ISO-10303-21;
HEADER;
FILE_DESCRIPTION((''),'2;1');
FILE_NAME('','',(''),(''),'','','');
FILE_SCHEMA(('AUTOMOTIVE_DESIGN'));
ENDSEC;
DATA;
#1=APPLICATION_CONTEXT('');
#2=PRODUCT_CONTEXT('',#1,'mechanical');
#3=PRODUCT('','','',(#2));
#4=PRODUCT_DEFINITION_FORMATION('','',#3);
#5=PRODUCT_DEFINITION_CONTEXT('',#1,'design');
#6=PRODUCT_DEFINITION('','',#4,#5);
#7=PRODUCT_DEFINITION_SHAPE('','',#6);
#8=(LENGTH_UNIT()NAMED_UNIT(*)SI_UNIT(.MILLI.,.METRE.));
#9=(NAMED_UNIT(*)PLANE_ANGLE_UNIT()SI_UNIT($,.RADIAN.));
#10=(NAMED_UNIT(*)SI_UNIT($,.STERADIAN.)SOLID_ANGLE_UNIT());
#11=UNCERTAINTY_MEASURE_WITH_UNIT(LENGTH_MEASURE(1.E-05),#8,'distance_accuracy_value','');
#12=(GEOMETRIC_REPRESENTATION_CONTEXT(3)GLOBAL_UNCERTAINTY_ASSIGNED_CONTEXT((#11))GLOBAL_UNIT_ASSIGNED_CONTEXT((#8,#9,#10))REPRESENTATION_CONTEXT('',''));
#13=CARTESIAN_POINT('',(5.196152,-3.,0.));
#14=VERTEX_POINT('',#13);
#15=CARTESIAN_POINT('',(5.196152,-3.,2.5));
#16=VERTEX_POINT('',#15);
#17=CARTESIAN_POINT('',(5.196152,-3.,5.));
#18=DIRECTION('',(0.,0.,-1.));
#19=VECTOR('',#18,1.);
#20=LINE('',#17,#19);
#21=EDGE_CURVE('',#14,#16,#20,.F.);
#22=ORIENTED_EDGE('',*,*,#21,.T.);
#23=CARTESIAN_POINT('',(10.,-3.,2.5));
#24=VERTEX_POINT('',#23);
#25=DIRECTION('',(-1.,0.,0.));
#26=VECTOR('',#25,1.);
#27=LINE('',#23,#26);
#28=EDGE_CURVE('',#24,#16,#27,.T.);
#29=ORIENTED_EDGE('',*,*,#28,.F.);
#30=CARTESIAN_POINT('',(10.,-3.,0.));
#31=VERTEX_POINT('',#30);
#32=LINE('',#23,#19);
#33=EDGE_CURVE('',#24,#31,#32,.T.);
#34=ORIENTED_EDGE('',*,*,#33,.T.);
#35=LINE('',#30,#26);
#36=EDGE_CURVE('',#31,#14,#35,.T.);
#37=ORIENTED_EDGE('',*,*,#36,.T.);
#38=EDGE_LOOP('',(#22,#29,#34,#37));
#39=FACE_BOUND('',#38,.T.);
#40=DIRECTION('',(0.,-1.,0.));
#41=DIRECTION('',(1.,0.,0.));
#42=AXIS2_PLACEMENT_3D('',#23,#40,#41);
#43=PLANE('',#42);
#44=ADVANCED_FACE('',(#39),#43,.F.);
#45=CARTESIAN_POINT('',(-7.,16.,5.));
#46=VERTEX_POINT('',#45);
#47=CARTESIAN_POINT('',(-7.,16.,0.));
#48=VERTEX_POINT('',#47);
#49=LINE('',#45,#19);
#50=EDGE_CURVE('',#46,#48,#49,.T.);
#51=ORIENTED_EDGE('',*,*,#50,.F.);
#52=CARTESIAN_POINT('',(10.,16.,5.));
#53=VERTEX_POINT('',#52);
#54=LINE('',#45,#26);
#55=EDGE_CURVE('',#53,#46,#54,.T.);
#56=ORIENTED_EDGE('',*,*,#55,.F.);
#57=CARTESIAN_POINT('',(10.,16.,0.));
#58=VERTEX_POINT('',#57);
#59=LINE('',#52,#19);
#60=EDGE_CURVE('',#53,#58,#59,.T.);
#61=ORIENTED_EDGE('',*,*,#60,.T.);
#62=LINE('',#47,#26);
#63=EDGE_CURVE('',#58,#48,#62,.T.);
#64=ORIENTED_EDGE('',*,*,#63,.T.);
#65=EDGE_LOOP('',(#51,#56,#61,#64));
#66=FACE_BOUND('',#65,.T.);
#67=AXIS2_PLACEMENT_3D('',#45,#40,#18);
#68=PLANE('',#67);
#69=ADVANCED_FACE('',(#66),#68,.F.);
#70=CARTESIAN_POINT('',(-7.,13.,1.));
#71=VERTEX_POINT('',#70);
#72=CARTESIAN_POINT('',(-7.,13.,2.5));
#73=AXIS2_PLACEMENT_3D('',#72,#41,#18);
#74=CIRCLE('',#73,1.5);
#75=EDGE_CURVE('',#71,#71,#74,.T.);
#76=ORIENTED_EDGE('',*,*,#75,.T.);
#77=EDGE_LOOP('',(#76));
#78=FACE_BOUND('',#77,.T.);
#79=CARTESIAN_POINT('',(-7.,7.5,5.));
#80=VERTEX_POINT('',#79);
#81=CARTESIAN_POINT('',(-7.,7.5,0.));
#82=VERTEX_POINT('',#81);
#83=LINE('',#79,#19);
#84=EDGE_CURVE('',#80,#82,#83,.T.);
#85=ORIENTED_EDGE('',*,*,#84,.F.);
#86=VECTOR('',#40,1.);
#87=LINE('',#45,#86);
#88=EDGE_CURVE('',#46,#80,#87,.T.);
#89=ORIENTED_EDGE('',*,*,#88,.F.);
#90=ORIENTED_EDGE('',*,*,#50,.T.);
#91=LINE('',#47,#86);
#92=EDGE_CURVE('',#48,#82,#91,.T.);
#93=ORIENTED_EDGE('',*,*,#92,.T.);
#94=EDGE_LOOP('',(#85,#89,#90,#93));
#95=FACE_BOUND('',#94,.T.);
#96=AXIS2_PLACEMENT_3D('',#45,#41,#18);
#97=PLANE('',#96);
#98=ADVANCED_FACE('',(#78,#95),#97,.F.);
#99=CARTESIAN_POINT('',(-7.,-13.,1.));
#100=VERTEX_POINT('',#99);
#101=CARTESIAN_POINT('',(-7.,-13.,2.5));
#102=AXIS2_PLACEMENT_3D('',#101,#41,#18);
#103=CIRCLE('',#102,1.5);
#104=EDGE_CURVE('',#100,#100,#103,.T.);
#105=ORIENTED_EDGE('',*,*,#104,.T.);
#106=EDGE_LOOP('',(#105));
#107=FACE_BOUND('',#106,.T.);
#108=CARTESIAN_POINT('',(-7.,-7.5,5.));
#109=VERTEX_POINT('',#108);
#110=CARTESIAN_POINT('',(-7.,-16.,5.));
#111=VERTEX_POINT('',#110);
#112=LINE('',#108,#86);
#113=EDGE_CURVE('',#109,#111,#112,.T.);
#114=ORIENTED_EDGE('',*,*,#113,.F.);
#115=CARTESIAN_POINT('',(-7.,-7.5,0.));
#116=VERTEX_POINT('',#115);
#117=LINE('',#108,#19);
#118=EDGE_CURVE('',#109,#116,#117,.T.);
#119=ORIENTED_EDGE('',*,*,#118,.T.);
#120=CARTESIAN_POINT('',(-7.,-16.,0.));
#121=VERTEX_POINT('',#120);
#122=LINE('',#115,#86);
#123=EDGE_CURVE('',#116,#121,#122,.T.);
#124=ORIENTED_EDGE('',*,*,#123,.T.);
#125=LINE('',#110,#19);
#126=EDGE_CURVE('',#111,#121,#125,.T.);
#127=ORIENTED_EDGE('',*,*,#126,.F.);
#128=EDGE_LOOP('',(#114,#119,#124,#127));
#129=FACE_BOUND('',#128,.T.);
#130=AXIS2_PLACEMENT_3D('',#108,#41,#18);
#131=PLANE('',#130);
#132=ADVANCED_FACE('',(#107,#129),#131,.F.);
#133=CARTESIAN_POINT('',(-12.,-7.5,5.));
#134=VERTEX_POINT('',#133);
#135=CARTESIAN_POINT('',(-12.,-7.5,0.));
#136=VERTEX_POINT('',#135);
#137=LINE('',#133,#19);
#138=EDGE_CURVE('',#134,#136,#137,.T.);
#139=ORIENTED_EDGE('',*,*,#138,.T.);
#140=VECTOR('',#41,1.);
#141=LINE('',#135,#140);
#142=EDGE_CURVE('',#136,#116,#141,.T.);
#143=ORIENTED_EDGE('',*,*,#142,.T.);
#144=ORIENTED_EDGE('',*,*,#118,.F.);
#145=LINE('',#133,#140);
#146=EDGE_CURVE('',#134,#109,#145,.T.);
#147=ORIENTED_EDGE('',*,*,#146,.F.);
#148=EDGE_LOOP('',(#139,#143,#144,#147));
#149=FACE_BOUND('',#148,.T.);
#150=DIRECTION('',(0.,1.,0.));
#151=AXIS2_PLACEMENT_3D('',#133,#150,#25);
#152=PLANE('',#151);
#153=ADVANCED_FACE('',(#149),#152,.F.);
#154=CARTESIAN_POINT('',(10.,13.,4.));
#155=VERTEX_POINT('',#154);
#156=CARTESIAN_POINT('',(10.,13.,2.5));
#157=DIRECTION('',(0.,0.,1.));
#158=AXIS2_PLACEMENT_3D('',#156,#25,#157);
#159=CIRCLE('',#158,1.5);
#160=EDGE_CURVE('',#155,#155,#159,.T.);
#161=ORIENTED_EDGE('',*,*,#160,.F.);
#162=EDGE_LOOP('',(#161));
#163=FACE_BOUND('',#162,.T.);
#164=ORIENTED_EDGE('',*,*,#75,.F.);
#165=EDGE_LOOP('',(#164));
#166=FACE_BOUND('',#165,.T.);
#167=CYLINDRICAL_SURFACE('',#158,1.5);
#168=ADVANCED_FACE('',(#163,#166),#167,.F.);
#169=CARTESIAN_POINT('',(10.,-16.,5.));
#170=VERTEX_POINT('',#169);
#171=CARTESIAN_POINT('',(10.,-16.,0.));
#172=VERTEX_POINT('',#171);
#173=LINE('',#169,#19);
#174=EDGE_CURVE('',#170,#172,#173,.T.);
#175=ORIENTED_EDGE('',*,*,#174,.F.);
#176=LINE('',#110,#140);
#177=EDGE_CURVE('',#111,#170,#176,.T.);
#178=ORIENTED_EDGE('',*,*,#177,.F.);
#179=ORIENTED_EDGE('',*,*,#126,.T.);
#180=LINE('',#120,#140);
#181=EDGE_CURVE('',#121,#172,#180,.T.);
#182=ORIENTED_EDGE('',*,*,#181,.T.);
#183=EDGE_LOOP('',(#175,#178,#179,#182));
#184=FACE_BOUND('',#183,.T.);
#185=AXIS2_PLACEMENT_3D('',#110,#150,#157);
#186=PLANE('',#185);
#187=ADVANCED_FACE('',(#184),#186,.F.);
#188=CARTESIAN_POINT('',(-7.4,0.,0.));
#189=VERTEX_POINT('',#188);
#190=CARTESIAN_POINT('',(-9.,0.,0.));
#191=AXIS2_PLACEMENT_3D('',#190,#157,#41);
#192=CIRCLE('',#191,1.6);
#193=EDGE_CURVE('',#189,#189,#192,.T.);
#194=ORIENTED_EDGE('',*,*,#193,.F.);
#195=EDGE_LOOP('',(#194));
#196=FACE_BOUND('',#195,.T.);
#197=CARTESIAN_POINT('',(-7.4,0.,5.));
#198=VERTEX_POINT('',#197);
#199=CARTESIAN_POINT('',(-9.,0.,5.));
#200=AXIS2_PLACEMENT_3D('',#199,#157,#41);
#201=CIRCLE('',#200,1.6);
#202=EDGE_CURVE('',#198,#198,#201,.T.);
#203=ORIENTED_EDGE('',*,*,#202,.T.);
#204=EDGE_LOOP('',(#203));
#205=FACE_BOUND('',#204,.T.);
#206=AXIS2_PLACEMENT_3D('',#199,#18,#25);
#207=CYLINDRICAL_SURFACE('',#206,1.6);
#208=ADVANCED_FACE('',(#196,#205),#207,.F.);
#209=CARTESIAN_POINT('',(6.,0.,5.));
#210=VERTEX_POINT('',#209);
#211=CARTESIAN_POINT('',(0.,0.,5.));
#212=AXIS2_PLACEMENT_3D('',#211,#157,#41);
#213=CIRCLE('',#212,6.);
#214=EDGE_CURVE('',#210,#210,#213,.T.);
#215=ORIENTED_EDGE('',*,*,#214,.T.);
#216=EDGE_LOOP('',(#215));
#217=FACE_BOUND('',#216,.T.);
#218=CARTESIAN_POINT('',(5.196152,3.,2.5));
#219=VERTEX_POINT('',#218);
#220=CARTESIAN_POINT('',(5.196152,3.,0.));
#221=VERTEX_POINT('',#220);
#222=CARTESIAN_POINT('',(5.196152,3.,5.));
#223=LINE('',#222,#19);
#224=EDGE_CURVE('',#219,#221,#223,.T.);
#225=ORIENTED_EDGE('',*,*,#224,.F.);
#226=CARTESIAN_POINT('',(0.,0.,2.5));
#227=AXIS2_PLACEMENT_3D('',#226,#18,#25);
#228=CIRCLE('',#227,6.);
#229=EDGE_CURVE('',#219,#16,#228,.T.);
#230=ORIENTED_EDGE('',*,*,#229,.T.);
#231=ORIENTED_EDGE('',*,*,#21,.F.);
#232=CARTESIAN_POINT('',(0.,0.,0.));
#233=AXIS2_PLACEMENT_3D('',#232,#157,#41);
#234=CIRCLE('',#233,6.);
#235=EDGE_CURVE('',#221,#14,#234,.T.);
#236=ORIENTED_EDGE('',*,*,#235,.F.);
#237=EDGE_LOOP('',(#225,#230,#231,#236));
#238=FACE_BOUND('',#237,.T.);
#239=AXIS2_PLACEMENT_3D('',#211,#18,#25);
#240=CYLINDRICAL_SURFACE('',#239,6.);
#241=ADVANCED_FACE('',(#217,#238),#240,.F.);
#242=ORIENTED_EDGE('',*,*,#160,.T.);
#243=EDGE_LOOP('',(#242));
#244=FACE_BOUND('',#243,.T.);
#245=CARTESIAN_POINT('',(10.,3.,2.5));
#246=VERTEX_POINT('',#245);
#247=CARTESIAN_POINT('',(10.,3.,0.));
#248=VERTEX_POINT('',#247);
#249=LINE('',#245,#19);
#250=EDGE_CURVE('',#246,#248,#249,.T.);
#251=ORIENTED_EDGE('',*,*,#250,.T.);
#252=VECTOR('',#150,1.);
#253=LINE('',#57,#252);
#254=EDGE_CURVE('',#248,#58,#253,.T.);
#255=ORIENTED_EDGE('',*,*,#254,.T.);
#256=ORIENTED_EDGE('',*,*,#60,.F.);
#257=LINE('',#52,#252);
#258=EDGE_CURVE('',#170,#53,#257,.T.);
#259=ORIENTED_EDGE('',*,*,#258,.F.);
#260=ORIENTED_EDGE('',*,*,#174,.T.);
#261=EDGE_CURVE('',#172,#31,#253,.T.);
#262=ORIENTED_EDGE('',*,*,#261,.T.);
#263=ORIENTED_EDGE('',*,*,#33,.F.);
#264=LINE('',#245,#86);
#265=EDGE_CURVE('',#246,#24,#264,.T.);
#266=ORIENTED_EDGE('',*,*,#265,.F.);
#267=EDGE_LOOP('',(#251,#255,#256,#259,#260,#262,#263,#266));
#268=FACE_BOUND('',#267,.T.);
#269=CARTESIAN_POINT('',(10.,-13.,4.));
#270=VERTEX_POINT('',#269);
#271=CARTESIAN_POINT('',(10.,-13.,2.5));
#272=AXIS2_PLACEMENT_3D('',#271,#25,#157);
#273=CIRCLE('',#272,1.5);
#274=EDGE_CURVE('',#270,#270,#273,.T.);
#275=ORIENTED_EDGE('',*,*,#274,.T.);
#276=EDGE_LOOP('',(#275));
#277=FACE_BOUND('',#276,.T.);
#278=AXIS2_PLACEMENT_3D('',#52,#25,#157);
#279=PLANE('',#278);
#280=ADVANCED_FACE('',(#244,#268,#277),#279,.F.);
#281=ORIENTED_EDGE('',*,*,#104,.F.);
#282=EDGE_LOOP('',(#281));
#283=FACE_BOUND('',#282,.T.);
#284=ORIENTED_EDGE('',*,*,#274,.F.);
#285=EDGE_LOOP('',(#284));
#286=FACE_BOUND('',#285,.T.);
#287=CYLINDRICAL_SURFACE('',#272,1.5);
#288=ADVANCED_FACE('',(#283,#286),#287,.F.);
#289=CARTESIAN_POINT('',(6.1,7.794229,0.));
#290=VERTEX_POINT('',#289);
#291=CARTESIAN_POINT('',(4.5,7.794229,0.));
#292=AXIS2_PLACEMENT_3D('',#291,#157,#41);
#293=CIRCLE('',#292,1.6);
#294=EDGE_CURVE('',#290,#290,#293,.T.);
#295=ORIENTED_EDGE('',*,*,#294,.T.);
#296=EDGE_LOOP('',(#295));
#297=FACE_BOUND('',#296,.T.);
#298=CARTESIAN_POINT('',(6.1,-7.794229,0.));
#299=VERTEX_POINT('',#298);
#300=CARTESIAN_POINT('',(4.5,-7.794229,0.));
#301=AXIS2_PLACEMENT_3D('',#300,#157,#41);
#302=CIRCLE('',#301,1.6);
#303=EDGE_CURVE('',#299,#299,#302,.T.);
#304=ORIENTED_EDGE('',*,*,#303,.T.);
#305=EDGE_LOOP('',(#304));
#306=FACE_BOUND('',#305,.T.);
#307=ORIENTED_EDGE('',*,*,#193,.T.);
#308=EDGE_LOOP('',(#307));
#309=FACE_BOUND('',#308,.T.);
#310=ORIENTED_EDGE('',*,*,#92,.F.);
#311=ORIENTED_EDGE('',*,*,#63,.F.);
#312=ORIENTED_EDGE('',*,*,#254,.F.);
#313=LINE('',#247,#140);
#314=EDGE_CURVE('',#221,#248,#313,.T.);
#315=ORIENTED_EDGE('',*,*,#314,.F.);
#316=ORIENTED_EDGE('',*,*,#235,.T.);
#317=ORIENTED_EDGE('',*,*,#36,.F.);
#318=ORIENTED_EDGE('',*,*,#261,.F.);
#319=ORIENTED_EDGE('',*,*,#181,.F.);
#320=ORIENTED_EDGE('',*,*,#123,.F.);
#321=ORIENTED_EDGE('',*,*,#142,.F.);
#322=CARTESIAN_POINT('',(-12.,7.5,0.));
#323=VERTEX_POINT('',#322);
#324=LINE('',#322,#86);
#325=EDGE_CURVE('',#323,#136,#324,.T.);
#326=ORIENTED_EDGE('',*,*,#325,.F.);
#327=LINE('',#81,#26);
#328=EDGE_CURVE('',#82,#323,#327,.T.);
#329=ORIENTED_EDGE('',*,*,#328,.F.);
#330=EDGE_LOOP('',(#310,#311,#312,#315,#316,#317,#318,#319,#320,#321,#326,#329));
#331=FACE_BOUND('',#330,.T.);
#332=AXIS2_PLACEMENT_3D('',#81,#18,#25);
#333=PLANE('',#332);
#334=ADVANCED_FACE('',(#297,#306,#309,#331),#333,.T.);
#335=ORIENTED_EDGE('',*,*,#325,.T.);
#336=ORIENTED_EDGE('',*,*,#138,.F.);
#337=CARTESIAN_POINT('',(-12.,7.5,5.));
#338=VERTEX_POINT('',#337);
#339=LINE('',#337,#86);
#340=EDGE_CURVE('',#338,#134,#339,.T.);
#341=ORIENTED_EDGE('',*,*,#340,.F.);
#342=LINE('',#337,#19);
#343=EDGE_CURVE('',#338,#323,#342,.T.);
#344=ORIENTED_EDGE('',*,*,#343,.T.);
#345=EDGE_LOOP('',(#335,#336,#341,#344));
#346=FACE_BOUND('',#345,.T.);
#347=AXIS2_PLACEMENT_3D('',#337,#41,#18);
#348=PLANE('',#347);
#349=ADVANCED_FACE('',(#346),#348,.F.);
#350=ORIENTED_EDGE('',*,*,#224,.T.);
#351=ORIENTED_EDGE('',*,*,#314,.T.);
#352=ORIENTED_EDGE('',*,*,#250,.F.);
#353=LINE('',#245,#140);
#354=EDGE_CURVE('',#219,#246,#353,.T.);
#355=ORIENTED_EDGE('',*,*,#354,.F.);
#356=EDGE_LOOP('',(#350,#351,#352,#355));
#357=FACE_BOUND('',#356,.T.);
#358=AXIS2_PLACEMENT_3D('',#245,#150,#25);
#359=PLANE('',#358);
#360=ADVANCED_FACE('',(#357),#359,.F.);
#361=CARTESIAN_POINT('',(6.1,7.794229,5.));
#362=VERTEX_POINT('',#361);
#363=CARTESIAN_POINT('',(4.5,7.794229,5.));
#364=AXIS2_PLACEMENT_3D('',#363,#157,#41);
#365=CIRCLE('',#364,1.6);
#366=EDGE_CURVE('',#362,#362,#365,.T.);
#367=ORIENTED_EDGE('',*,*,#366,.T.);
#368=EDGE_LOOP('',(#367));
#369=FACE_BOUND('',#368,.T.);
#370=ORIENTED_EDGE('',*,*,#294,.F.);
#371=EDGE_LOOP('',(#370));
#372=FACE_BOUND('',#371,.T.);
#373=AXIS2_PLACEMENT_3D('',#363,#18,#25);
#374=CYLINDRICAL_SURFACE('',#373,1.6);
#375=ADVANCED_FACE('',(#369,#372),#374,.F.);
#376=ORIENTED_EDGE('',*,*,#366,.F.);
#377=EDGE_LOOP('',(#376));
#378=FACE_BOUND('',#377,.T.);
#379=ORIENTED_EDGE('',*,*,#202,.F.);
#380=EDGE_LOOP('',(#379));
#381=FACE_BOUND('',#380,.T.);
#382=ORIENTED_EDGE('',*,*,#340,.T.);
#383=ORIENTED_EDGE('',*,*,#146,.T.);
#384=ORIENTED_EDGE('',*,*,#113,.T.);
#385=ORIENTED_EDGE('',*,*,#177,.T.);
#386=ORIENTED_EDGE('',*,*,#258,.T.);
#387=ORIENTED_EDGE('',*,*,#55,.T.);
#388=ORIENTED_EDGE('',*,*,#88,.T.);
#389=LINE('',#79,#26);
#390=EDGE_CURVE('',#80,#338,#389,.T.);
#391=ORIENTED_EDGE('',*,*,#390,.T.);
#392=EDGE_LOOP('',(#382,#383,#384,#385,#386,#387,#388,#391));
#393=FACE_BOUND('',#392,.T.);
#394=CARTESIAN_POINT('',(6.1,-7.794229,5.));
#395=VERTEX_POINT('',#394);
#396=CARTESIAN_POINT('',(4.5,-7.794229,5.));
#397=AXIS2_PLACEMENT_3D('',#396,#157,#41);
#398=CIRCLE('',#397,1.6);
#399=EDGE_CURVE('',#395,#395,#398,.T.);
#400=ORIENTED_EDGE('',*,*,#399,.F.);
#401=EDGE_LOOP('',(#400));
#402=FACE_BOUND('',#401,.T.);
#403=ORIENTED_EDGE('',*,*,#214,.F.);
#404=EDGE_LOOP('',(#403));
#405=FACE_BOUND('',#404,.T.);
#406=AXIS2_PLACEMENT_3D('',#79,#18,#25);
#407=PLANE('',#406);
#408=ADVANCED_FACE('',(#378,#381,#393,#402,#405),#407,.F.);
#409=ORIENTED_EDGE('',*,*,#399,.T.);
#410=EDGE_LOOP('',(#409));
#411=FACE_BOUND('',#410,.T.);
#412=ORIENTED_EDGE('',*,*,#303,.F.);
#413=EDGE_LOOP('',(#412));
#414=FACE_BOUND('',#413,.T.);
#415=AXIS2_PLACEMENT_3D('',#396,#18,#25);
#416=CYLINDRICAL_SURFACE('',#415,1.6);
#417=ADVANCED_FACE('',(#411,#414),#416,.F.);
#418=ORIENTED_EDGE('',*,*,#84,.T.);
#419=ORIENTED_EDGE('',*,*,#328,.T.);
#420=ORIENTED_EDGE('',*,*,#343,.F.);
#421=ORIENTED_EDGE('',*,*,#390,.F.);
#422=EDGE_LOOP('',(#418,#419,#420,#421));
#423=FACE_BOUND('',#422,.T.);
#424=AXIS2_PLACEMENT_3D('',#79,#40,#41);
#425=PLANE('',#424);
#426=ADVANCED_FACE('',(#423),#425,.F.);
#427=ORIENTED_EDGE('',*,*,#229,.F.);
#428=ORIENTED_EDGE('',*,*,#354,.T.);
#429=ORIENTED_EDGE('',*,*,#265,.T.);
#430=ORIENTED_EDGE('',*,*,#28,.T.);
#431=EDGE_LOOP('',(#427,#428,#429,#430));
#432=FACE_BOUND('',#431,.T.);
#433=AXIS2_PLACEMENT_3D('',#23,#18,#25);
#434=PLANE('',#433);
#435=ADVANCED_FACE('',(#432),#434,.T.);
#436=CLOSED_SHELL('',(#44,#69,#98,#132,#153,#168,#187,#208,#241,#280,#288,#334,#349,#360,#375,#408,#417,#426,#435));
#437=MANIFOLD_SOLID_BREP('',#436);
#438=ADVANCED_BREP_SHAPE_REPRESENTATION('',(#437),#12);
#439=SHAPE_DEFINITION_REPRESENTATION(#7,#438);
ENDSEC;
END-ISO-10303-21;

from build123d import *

# Parameters (mm, degrees)
ESQUISSE1_R             = 6
ESQUISSE1_R_2           = 1.6
EXTRUSION1_DEPTH        = 5
ESQUISSE2_W             = 10
ESQUISSE2_H             = 6
ENL_V_MAT_EXTRU_1_DEPTH = 2.5
ESQUISSE3_R             = 1.5
ENL_V_MAT_EXTRU_2_DEPTH = 28.658633372


with BuildPart() as part:
    # Esquisse1 → Extrusion1 (new body)
    with BuildSketch(Plane.XY):
        Polygon((-7, 16), (10, 16), (10, -16), (-7, -16), (-7, -7.5), (-12, -7.5), (-12, 7.5), (-7, 7.5), align=None)
        Circle(ESQUISSE1_R, mode=Mode.SUBTRACT)
        with Locations((-9, 0)):
            Circle(ESQUISSE1_R_2, mode=Mode.SUBTRACT)
        with Locations((4.5, 7.794228634)):
            Circle(ESQUISSE1_R_2, mode=Mode.SUBTRACT)
        with Locations((4.5, -7.794228634)):
            Circle(ESQUISSE1_R_2, mode=Mode.SUBTRACT)
    extrude(amount=EXTRUSION1_DEPTH)

    # Esquisse2 → Enlèv. mat.-Extru.1 (cut)
    with BuildSketch(Plane(origin=(0, 0, 0), x_dir=(-1, 0, 0), z_dir=(0, 0, -1))):
        with Locations((-5, 0)):
            Rectangle(ESQUISSE2_W, ESQUISSE2_H)
    extrude(amount=-ENL_V_MAT_EXTRU_1_DEPTH, mode=Mode.SUBTRACT)

    # Esquisse3 → Enlèv. mat.-Extru.2 (cut, through all)
    with BuildSketch(Plane.ZY.offset(12)):
        with Locations((2.5, 13)):
            Circle(ESQUISSE3_R)
        with Locations((2.5, -13)):
            Circle(ESQUISSE3_R)
    extrude(amount=-ENL_V_MAT_EXTRU_2_DEPTH, mode=Mode.SUBTRACT)


solid = part.part
